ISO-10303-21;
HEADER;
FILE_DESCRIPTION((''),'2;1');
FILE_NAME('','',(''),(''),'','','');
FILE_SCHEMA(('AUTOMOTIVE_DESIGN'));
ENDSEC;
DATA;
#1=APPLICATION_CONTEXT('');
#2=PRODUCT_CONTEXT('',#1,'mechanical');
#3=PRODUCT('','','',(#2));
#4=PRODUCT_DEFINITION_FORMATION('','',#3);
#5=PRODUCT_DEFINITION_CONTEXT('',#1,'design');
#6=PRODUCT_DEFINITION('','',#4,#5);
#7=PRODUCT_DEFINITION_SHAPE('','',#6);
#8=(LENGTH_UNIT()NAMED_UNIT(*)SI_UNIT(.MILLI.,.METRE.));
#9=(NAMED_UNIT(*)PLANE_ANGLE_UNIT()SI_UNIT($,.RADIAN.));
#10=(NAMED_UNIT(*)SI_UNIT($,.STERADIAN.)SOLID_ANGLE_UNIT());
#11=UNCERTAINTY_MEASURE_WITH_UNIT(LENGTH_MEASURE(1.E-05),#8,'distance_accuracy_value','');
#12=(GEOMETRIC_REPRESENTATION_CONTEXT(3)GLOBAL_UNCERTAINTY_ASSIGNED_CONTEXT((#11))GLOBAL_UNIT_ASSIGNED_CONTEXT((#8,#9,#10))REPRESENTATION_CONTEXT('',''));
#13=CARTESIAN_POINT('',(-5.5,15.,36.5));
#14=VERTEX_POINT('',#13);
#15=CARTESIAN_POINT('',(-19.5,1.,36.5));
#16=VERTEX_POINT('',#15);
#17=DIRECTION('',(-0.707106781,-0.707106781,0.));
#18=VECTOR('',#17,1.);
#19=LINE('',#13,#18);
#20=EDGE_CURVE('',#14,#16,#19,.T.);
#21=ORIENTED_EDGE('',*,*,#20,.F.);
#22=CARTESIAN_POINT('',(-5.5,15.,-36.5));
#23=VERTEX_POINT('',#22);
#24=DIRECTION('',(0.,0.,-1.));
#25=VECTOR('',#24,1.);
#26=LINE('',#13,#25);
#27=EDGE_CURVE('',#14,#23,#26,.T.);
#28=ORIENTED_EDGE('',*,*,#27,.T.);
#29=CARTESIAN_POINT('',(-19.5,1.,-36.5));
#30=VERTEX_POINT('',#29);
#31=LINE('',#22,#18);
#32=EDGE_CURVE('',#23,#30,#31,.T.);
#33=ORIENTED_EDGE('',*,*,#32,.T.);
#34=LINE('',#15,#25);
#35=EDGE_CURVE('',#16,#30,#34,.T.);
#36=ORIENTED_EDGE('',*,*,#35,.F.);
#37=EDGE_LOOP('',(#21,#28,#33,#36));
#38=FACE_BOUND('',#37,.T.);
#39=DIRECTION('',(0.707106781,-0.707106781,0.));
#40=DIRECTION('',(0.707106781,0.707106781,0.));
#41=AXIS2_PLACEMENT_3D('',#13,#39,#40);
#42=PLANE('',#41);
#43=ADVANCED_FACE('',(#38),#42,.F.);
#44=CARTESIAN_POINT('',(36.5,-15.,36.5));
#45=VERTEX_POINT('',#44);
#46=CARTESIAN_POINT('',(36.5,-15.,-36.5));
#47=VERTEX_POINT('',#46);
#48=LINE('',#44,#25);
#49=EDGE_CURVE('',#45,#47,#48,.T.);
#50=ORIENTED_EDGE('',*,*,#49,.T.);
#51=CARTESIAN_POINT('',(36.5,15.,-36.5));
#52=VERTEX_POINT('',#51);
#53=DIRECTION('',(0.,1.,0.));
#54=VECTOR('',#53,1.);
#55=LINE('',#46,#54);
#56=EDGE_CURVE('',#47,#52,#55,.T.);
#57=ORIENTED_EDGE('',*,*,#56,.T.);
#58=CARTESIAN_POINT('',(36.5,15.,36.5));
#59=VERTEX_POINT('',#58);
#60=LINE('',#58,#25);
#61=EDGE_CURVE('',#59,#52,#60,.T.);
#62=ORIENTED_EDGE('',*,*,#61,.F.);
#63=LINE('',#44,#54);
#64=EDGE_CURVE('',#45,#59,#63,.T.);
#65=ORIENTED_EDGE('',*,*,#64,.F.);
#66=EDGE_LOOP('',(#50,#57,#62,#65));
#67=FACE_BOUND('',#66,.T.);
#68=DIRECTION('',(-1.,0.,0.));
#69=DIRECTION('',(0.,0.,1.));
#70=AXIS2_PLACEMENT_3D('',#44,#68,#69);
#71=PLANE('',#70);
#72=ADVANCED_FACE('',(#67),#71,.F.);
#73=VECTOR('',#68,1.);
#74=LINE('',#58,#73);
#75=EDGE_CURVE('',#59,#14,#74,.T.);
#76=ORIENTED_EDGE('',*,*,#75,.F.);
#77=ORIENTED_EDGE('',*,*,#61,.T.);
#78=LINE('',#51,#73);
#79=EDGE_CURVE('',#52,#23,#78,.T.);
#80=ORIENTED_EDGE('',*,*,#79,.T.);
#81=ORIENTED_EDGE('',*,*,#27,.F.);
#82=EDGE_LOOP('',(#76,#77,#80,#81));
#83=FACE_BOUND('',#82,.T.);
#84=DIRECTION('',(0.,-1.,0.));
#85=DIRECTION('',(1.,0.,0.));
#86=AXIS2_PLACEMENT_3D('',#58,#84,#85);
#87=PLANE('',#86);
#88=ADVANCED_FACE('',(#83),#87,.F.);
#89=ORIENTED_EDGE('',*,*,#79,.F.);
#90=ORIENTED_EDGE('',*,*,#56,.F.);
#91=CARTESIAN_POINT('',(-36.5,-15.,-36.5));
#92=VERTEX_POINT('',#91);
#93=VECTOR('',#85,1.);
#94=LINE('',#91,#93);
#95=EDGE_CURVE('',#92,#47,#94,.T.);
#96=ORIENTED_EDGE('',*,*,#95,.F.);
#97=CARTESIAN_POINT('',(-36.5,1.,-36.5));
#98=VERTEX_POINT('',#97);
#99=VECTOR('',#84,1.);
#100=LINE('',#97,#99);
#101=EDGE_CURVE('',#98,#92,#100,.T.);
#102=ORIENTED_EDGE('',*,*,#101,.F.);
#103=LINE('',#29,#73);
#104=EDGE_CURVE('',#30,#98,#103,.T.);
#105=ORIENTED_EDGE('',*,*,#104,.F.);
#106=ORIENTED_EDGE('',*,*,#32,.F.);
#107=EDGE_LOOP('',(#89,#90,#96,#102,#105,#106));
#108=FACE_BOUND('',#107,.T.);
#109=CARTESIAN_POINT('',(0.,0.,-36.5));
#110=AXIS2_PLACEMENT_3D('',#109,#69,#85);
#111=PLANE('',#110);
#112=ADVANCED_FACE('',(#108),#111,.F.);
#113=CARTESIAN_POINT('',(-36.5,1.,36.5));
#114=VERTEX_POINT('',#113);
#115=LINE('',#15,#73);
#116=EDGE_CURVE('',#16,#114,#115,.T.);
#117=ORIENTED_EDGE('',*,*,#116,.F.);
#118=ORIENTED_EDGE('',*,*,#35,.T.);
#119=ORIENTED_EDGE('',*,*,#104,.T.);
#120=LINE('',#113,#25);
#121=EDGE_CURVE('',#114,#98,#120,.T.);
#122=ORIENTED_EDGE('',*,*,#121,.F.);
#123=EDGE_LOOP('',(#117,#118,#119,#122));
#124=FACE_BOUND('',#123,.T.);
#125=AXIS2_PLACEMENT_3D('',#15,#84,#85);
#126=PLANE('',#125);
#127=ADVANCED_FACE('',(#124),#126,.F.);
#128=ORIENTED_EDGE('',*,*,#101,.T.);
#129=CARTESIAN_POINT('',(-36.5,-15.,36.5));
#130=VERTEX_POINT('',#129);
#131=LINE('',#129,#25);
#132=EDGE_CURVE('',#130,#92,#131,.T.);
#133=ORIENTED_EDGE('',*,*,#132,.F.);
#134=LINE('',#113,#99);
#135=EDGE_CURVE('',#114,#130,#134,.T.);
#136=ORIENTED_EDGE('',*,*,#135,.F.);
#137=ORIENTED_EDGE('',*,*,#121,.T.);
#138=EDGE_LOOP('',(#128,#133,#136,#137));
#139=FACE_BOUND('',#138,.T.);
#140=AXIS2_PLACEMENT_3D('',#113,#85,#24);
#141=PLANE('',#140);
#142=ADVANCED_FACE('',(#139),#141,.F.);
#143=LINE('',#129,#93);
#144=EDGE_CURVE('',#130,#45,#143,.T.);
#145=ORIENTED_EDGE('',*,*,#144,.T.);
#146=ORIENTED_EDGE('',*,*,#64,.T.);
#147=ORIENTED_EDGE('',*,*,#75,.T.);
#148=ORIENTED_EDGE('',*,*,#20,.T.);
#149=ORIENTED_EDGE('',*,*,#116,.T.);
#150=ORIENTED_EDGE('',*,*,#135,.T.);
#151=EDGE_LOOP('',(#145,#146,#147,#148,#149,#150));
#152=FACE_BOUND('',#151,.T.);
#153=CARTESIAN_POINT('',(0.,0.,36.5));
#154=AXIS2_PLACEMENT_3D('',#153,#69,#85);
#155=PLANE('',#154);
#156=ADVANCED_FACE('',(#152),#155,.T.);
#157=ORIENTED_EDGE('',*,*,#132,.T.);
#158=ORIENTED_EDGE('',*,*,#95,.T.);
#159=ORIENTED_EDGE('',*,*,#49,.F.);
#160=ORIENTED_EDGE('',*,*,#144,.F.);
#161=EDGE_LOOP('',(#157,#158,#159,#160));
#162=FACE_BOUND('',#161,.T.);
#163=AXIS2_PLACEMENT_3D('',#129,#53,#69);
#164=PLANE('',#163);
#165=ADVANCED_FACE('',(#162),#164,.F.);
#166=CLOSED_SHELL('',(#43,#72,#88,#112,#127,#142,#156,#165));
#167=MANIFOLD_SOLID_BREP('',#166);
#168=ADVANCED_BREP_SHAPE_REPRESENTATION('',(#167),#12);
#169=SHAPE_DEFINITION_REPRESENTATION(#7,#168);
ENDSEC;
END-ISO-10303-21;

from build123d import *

# Parameters (mm, degrees)
BOSS_EXTRUDE1_DEPTH = 36.5


with BuildPart() as part:
    # Sketch1 → Boss-Extrude1 (new, symmetric)
    with BuildSketch(Plane.XY):
        Polygon((-36.5, -15), (36.5, -15), (36.5, 15), (-5.5, 15), (-19.5, 1), (-36.5, 1), align=None)
    extrude(amount=BOSS_EXTRUDE1_DEPTH, both=True)


solid = part.part
